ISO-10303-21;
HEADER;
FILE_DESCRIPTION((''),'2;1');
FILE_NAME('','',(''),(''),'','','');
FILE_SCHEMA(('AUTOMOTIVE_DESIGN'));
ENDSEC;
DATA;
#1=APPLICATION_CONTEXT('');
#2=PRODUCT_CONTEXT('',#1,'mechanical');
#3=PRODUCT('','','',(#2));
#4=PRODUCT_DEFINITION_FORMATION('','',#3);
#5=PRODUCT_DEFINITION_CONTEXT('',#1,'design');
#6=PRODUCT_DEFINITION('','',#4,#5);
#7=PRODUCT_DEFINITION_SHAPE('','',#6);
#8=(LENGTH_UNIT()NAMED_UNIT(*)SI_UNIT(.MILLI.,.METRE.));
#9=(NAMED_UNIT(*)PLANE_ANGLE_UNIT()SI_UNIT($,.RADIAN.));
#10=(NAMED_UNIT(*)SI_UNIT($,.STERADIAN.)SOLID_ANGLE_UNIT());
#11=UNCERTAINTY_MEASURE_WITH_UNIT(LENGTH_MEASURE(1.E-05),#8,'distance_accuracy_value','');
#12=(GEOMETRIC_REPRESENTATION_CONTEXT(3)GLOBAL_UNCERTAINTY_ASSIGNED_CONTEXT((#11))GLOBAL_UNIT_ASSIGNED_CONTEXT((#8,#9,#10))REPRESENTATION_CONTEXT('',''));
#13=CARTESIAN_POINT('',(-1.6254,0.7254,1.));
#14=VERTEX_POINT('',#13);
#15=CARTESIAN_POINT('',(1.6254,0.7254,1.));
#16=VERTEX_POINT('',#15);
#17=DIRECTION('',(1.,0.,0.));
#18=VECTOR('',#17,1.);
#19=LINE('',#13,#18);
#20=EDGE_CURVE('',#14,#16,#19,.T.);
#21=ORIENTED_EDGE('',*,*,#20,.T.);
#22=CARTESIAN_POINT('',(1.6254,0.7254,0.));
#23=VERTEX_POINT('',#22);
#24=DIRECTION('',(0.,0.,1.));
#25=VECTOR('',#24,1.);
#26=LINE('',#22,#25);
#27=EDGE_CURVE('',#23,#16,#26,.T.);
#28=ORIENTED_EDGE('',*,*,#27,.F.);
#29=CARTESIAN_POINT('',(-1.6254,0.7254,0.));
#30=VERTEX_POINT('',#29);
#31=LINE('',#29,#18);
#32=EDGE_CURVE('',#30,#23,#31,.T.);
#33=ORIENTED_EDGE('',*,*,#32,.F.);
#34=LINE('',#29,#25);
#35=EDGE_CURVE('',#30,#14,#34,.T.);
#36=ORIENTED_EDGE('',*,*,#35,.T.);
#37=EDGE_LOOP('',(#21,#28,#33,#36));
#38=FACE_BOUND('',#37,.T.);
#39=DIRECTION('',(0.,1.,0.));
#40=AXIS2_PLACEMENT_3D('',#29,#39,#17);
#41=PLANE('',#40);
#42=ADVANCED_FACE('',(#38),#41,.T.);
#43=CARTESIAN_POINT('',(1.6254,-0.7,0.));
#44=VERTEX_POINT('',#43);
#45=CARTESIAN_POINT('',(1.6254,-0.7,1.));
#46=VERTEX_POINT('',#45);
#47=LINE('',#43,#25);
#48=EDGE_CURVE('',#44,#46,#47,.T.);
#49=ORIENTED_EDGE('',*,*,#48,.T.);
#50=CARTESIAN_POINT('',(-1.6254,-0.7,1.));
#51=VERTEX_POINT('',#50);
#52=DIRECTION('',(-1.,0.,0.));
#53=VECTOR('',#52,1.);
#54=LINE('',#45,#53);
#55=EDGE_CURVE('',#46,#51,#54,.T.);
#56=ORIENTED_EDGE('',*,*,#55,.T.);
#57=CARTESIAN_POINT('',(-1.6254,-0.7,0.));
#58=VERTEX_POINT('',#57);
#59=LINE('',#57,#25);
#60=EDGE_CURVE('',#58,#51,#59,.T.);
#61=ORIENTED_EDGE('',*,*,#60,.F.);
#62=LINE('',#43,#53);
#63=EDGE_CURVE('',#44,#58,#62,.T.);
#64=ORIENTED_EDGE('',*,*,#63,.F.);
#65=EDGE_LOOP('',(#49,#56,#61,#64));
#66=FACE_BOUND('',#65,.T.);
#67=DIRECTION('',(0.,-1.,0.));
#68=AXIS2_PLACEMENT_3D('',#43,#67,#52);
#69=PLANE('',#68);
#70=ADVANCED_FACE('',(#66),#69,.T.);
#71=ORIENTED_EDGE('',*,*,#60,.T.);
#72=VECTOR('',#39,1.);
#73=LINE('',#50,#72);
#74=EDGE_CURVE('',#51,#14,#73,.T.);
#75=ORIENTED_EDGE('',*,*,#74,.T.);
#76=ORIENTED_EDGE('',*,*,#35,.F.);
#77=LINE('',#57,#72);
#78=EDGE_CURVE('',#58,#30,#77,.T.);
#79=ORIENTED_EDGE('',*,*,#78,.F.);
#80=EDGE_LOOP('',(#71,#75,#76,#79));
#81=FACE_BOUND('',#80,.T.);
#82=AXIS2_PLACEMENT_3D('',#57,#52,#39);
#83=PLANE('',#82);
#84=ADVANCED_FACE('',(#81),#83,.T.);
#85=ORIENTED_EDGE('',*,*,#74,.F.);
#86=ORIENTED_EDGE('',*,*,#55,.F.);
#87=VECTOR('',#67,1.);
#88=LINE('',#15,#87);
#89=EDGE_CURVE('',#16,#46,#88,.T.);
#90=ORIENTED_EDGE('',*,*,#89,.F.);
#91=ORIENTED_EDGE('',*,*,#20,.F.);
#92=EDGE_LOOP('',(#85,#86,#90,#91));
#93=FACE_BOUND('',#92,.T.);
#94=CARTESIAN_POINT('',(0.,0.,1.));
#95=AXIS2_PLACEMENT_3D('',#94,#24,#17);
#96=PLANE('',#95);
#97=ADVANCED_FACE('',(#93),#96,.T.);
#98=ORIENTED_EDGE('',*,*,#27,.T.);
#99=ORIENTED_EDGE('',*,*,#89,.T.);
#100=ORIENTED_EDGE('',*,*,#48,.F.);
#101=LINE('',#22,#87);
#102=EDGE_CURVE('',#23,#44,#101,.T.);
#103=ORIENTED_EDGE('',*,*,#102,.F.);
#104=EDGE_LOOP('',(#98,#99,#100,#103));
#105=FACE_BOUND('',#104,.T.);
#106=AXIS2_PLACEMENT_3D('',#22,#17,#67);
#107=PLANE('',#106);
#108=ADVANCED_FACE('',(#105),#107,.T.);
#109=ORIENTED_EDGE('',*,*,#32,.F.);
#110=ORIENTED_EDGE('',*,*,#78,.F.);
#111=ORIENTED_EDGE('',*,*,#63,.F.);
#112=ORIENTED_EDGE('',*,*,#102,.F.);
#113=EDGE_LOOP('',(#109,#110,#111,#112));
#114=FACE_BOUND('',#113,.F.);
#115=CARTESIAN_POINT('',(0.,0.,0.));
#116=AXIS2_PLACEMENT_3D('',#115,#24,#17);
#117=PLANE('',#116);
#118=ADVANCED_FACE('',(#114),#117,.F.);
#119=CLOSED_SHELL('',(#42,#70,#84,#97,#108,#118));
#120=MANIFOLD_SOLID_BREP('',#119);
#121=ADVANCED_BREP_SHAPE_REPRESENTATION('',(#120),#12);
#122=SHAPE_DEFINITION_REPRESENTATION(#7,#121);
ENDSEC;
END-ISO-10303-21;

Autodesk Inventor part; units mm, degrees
ref_plane "YZ Plane" through (0, 0, 0) normal (1, 0, 0) x (0, 1, 0)
ref_plane "XZ Plane" through (0, 0, 0) normal (0, 1, 0) x (-1, 0, 0)
ref_plane "XY Plane" through (0, 0, 0) normal (0, 0, 1) x (1, 0, 0)
sketch "0603, 0_1UF_15" plane through (0, 0, 0) normal (0, 0, 1) x (1, 0, 0)
  line L0 (-1.6254, 0.7254) -> (1.6254, 0.7254)
  line L1 (1.6254, 0.7254) -> (1.6254, -0.7)
  line L2 (1.6254, -0.7) -> (-1.6254, -0.7)
  line L3 (-1.6254, -0.7) -> (-1.6254, 0.7254)
extrude "Extrusion1" add sketch "0603, 0_1UF_15" along normal blind 1
properties part number "0_1UF"
